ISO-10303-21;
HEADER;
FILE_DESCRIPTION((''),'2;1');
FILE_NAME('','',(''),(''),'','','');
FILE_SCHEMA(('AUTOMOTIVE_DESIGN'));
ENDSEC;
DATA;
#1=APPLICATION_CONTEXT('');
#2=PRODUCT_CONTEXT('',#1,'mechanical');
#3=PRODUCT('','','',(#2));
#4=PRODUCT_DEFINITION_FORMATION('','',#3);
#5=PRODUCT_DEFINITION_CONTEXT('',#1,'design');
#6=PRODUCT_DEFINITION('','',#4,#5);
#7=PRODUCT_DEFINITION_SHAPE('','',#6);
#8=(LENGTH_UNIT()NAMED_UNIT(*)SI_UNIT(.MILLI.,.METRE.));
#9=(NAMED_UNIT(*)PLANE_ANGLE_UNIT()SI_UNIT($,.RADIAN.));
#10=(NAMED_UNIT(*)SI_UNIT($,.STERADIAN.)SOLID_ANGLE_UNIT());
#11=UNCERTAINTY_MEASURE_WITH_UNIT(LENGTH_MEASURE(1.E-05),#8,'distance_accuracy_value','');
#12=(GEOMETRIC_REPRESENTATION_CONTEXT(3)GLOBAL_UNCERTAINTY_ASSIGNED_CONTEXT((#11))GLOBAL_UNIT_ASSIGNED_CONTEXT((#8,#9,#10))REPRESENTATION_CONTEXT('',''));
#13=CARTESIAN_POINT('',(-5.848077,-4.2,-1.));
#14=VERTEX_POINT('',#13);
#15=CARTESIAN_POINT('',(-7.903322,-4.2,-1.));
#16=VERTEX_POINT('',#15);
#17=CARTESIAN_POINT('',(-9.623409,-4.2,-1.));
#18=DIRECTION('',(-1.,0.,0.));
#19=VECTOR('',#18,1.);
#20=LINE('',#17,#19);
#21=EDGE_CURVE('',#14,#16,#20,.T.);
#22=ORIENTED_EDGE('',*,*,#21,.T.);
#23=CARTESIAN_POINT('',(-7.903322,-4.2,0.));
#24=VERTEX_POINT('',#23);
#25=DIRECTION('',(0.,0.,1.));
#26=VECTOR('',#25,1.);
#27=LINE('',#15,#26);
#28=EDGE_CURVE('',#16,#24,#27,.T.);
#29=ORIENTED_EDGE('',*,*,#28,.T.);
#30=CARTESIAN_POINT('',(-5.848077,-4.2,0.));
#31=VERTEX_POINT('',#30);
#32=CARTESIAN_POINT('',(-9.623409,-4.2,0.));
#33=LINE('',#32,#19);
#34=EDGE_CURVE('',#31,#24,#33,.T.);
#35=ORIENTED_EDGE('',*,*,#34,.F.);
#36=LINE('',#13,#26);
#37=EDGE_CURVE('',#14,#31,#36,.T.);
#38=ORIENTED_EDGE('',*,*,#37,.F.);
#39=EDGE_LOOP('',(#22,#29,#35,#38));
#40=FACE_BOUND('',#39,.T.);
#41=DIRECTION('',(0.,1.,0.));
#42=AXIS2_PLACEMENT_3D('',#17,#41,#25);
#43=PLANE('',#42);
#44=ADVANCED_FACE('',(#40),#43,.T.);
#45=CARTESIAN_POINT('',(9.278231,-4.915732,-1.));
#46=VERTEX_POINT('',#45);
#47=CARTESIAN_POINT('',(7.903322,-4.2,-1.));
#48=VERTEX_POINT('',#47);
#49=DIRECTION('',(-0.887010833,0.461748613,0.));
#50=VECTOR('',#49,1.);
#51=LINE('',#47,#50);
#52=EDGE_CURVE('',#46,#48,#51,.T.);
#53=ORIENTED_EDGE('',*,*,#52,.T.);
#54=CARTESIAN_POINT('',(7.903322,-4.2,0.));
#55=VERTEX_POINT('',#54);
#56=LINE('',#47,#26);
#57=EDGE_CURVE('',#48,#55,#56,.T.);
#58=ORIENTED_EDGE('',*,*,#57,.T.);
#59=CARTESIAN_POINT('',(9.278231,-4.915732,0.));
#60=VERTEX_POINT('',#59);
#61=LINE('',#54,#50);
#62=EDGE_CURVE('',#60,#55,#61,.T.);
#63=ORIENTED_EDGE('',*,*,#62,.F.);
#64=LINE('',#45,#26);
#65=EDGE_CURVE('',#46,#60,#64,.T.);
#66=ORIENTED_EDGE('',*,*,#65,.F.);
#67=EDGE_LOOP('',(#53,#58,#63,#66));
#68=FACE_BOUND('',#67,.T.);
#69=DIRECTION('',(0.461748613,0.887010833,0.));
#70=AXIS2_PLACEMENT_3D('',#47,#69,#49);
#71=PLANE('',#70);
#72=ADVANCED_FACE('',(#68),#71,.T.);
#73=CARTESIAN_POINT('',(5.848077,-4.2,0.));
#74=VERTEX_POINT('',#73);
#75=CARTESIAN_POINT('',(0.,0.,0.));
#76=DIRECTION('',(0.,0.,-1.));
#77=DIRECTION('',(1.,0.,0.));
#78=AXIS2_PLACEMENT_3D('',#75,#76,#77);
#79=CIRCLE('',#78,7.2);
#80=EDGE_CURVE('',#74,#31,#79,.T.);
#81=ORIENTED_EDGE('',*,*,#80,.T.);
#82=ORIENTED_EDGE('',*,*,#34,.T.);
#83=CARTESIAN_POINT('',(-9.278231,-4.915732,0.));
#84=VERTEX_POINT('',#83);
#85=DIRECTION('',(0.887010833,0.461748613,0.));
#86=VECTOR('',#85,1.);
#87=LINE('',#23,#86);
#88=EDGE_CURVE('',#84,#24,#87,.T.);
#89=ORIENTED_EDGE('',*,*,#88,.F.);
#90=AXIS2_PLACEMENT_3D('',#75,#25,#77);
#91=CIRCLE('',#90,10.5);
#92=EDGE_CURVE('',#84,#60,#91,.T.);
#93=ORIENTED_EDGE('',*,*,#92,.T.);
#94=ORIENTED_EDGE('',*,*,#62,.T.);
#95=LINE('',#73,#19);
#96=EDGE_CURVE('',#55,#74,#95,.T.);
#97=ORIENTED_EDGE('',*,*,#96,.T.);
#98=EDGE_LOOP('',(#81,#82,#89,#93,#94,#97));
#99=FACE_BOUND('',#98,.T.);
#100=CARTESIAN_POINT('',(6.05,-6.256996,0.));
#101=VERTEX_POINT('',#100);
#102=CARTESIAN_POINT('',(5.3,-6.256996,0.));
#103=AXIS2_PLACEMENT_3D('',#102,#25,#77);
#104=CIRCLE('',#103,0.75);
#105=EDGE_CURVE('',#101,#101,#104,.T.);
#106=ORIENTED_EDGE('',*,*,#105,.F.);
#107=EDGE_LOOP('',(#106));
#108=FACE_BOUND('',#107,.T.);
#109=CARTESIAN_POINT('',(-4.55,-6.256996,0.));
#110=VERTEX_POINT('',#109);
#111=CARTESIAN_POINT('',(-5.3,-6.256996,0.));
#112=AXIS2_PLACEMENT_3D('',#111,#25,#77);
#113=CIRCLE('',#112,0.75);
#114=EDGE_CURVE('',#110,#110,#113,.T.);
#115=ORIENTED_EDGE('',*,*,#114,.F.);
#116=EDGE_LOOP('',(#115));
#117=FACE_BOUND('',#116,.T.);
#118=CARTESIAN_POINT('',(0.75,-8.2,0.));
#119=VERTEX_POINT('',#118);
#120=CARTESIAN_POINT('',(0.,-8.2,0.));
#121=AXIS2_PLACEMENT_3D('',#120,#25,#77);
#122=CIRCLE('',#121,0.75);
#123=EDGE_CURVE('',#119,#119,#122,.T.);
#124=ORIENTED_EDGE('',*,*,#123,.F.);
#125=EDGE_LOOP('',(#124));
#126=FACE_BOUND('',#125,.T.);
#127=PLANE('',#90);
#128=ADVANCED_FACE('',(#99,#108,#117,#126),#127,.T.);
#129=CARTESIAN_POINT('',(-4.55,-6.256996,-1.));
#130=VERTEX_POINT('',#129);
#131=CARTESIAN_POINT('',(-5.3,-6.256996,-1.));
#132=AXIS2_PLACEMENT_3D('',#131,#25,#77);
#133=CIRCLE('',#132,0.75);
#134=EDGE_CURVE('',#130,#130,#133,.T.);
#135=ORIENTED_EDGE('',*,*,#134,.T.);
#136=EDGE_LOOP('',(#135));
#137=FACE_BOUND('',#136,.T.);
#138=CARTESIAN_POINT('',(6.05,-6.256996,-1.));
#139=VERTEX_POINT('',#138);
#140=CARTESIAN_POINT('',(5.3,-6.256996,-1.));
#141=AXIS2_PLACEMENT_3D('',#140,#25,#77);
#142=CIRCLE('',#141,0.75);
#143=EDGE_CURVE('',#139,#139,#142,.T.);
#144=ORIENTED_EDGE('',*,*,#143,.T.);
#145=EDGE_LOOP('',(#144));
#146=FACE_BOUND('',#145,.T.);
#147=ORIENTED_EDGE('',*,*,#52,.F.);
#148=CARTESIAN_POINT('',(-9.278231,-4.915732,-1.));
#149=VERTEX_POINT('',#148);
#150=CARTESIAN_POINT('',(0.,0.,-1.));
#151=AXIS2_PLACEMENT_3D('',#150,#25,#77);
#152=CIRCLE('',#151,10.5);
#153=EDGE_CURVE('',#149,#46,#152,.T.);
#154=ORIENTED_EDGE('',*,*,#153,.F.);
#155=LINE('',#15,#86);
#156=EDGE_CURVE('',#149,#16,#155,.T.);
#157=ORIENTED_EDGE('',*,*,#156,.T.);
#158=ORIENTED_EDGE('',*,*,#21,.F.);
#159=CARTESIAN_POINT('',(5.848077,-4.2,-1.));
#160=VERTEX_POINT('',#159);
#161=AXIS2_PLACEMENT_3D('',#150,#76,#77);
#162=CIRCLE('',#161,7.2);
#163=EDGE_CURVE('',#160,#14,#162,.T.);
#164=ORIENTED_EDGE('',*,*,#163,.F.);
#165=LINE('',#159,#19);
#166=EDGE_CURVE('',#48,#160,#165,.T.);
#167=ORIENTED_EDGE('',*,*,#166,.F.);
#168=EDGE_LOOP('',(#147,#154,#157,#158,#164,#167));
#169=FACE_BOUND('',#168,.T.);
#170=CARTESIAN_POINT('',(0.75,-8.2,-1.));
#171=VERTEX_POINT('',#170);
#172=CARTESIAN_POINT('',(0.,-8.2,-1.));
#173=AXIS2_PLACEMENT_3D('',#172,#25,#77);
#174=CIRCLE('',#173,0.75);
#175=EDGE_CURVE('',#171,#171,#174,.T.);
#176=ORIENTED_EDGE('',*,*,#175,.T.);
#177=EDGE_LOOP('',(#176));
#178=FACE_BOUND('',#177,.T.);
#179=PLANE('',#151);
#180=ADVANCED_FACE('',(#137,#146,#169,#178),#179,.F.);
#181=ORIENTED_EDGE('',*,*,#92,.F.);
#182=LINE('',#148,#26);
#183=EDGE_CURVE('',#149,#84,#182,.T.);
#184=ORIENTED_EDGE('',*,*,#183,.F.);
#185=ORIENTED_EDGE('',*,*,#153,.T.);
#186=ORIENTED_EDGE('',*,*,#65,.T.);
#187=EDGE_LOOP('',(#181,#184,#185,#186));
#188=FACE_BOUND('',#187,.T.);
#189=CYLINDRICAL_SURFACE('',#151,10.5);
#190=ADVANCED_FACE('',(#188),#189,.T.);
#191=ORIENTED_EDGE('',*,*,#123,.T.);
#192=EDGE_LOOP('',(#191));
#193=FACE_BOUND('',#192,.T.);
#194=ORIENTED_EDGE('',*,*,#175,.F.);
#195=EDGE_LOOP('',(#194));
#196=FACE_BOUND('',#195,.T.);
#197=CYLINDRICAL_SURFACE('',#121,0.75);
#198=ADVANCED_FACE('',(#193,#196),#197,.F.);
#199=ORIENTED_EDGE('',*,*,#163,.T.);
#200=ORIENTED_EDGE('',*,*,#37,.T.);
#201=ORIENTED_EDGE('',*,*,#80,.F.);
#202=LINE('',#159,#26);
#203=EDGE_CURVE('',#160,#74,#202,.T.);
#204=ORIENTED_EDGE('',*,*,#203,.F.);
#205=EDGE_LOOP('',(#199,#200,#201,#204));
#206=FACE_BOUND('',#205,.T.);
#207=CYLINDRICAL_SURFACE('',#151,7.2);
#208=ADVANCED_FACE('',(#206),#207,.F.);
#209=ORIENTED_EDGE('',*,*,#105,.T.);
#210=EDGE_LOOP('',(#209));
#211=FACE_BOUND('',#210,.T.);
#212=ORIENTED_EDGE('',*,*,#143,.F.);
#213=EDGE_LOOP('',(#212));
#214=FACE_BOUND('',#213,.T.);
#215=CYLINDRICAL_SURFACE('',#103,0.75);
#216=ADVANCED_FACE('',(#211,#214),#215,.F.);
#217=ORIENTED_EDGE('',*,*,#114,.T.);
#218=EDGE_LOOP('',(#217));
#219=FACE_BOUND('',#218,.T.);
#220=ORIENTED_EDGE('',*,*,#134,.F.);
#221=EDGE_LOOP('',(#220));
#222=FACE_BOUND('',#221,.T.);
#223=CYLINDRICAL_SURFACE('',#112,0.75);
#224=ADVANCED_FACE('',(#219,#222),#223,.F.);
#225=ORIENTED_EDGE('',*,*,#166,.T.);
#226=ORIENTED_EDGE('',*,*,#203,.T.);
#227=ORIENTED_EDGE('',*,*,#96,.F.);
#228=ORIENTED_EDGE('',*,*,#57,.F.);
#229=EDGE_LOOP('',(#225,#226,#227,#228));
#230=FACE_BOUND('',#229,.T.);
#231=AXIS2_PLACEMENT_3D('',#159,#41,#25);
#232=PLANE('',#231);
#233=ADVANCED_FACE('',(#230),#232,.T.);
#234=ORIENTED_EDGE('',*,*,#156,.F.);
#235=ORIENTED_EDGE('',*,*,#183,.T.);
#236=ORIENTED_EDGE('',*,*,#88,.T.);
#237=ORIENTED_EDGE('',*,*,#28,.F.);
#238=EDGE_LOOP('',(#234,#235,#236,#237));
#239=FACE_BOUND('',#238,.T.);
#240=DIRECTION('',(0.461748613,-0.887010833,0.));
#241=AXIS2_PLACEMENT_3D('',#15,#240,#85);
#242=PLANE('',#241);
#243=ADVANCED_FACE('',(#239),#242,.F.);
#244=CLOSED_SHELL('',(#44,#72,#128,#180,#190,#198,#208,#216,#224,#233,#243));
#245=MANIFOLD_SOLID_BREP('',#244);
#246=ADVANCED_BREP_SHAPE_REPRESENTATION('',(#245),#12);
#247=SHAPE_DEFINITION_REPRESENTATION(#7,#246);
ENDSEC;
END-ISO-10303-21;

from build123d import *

# Parameters (mm, degrees)
BOSS_EXTRUDE1_DEPTH            = 1
F_1_5_1_5_DIAMETER_HOLE1_D     = 1.5
F_1_5_1_5_DIAMETER_HOLE1_DEPTH = 1
CUT_EXTRUDE2_DEPTH             = 2


with BuildPart() as part:
    # Sketch1 → Boss-Extrude1 (new body)
    with BuildSketch(Plane.XY):
        with BuildLine():
            Line((-9.623408959, -4.2), (-5.848076607, -4.2))
            ThreePointArc((-5.848076607, -4.2), (0, -7.2), (5.848076607, -4.2))
            Line((5.848076607, -4.2), (9.623408959, -4.2))
            ThreePointArc((9.623408959, -4.2), (0, -10.5), (-9.623408959, -4.2))
        make_face()
    extrude(amount=-BOSS_EXTRUDE1_DEPTH)

    # Ø1.5 (1.5) Diameter Hole1
    with Locations(Plane.XY):
        with Locations((0, -8.2), (-5.3, -6.256996084), (5.3, -6.256996084)):
            Hole(F_1_5_1_5_DIAMETER_HOLE1_D / 2, depth=F_1_5_1_5_DIAMETER_HOLE1_DEPTH)

    # Sketch2 → Cut-Extrude2 (cut, through all)
    with BuildSketch(Plane.XY):
        with BuildLine():
            Line((-7.903322086, -4.2), (-9.27823124, -4.915732403))
            ThreePointArc((-9.27823124, -4.915732403), (-9.457593181, -4.561132669), (-9.623408959, -4.2))
            Line((-9.623408959, -4.2), (-7.903322086, -4.2))
        make_face()
    cut_extrude2 = extrude(amount=-CUT_EXTRUDE2_DEPTH, mode=Mode.SUBTRACT)

    # Mirror1: Cut-Extrude2 across plane
    add(cut_extrude2.mirror(Plane(origin=(0, 0, 0), x_dir=(0, 0, 1), z_dir=(1, 0, 0))), mode=Mode.SUBTRACT)


solid = part.part
